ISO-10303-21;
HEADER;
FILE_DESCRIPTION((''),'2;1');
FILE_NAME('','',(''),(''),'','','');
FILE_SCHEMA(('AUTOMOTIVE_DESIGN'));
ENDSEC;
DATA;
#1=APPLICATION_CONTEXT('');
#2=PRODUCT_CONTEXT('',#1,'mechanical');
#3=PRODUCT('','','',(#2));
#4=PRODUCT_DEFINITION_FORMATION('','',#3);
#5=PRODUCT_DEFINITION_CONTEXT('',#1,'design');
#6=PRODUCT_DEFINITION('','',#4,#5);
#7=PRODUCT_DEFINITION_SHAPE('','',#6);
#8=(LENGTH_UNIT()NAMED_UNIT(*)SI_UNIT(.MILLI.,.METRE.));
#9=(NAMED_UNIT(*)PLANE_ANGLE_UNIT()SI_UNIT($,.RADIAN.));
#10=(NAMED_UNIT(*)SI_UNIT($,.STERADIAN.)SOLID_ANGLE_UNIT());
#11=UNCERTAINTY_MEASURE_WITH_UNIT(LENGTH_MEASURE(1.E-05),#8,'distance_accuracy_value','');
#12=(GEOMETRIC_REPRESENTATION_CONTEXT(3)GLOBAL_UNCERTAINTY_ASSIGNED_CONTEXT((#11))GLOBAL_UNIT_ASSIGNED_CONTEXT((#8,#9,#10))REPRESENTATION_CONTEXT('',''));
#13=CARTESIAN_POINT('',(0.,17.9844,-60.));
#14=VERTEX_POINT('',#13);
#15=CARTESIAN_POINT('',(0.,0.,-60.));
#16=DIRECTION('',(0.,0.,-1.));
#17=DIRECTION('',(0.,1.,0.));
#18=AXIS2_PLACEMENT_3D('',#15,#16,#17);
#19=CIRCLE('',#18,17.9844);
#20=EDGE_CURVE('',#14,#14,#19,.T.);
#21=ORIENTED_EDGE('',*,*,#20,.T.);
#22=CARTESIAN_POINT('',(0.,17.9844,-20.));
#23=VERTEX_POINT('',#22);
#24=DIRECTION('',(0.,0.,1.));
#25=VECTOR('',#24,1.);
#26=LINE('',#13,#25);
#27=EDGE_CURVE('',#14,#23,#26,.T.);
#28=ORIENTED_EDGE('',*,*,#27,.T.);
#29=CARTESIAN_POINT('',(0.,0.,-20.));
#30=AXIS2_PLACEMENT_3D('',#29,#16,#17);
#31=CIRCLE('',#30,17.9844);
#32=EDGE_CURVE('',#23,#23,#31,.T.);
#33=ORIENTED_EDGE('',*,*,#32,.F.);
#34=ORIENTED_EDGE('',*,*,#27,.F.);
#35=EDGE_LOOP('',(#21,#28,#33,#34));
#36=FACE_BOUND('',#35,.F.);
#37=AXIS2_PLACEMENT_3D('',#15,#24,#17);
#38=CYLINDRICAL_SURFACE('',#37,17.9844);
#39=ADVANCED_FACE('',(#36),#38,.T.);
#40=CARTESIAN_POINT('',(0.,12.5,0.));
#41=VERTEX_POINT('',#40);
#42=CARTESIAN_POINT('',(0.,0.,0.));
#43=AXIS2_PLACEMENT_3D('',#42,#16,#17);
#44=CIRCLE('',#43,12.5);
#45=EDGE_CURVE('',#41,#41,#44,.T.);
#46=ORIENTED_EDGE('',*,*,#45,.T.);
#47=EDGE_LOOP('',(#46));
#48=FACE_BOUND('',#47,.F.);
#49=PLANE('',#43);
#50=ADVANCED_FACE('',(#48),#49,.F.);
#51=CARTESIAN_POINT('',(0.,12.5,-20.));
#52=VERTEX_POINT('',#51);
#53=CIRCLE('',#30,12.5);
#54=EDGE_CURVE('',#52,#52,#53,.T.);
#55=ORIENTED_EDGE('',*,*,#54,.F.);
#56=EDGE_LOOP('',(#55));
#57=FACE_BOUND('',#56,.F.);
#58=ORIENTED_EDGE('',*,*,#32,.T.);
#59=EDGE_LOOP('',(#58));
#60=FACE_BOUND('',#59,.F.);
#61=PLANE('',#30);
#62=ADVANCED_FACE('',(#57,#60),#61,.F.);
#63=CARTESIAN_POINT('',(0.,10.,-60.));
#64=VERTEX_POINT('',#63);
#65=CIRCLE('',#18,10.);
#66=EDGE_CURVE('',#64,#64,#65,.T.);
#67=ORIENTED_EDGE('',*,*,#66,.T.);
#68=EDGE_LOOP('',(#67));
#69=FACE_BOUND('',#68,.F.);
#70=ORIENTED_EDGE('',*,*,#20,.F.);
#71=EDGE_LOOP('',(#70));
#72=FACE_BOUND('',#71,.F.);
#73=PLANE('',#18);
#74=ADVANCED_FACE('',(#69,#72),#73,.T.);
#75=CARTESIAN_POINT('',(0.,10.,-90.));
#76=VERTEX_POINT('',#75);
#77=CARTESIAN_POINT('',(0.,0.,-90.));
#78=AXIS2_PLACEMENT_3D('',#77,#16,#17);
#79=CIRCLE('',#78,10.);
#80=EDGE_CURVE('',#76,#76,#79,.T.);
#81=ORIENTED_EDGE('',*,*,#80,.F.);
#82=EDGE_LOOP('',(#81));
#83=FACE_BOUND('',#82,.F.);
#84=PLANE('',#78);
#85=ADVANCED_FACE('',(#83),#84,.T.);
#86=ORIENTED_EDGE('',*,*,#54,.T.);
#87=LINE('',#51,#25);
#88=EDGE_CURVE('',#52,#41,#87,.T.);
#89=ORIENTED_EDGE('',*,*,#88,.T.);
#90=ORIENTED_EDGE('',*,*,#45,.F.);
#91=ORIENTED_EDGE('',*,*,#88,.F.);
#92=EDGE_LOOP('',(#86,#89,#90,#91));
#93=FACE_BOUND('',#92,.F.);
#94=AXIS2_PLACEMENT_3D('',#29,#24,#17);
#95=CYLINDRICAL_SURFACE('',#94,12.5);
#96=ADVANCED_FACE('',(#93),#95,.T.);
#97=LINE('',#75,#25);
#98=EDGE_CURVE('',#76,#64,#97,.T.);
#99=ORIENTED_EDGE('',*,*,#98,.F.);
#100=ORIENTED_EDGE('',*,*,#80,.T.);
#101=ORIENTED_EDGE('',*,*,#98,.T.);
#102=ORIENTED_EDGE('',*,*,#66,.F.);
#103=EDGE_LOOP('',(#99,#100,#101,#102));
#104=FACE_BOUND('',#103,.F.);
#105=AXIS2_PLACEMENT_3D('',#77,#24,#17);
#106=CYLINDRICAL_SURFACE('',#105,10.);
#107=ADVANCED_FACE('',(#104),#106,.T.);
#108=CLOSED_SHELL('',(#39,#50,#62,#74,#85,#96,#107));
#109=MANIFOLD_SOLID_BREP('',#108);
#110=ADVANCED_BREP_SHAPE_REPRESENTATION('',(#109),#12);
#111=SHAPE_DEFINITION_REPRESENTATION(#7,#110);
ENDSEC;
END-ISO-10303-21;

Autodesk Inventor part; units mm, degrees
ref_plane "YZ Plane" through (0, 0, 0) normal (1, 0, 0) x (0, 1, 0)
ref_plane "XZ Plane" through (0, 0, 0) normal (0, 1, 0) x (-1, 0, 0)
ref_plane "XY Plane" through (0, 0, 0) normal (0, 0, 1) x (1, 0, 0)
sketch "Sketch1" plane through (0, 0, 0) normal (1, 0, 0) x (0, 1, 0)
  line L0 (0, 0) -> (0, -90)
  line L1 (0, -90) -> (10, -90)
  line L2 (10, -90) -> (10, -60)
  line L3 (10, -60) -> (17.9844, -60)
  line L4 (17.9844, -60) -> (17.9844, -20)
  line L5 (17.9844, -20) -> (12.5, -20)
  line L6 (12.5, -20) -> (12.5, 0)
  line L7 (12.5, 0) -> (0, 0)
  dimension "d0" = 90
  dimension "d1" = 10
  dimension "d2" = 40
  dimension "d3" = 20
  dimension "d4" = 12.5
revolve "Revolution1" add sketch "Sketch1" angle 360 about axis through (0, 0, 0) along (0, 0, -1)
